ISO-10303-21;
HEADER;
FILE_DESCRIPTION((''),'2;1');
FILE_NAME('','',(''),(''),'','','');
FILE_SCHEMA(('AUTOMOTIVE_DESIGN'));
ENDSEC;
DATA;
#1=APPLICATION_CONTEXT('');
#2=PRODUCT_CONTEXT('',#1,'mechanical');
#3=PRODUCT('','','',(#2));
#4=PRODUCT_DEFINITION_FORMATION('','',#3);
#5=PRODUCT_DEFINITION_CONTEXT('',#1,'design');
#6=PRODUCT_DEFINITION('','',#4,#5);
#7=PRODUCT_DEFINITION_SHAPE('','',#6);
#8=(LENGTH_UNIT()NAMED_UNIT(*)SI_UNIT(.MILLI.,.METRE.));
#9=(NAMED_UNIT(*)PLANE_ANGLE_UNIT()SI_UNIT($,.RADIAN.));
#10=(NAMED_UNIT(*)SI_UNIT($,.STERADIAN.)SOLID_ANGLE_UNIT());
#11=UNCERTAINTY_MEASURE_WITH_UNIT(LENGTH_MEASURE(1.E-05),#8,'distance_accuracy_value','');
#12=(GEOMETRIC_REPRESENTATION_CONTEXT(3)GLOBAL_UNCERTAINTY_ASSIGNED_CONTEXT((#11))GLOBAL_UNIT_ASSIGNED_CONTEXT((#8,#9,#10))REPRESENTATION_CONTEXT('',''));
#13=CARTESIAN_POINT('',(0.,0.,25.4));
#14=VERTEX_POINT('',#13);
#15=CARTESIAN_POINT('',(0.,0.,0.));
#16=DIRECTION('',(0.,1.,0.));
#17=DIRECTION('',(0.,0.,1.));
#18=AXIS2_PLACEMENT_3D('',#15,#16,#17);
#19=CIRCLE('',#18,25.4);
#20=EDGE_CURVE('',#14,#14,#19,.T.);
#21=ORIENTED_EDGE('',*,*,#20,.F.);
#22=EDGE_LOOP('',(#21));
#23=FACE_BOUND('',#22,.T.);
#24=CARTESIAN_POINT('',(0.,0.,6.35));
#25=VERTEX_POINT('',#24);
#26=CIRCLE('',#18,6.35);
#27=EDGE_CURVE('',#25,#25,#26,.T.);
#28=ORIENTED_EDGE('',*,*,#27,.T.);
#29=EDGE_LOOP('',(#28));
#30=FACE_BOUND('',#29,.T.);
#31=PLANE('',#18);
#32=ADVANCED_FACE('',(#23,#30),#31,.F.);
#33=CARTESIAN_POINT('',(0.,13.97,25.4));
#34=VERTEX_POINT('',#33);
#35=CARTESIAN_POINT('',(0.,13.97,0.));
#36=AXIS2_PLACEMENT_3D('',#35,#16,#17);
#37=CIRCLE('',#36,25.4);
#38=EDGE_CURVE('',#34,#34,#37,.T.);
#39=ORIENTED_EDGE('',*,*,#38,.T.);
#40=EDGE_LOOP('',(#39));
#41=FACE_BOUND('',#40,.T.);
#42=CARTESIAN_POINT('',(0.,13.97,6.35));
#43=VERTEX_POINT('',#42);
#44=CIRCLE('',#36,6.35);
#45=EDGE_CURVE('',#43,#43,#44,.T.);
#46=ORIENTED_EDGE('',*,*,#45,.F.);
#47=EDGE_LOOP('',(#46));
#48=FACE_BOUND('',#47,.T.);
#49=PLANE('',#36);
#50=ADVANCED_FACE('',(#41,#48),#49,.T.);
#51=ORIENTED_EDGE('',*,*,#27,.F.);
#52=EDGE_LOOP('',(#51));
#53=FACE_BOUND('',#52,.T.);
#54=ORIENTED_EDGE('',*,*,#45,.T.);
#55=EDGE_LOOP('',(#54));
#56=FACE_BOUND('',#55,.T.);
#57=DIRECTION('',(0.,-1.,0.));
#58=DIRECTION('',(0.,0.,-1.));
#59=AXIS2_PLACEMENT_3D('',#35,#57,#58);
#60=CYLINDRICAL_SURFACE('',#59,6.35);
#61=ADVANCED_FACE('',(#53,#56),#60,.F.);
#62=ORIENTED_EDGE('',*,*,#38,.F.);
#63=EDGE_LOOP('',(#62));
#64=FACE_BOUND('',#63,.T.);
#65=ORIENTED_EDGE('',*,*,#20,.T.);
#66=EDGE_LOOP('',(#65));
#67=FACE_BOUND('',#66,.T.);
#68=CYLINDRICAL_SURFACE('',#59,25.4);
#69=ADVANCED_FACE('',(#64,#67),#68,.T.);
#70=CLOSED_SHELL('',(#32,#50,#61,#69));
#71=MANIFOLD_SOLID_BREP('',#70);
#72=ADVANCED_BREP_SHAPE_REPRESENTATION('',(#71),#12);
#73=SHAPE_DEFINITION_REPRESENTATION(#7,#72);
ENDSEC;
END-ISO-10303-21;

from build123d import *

# Parameters (mm, degrees)
SKETCH1_R           = 25.4
SKETCH1_R_2         = 6.35
BOSS_EXTRUDE1_DEPTH = 13.97


with BuildPart() as part:
    # Sketch1 → Boss-Extrude1 (new body)
    with BuildSketch(Plane(origin=(0, 0, 0), x_dir=(1, 0, 0), z_dir=(0, 1, 0))):
        with Locations(Location((0, 0, 0), (0, 0, 270))):
            Circle(SKETCH1_R)
        with Locations(Location((0, 0, 0), (0, 0, 270))):
            Circle(SKETCH1_R_2, mode=Mode.SUBTRACT)
    extrude(amount=BOSS_EXTRUDE1_DEPTH)


solid = part.part
